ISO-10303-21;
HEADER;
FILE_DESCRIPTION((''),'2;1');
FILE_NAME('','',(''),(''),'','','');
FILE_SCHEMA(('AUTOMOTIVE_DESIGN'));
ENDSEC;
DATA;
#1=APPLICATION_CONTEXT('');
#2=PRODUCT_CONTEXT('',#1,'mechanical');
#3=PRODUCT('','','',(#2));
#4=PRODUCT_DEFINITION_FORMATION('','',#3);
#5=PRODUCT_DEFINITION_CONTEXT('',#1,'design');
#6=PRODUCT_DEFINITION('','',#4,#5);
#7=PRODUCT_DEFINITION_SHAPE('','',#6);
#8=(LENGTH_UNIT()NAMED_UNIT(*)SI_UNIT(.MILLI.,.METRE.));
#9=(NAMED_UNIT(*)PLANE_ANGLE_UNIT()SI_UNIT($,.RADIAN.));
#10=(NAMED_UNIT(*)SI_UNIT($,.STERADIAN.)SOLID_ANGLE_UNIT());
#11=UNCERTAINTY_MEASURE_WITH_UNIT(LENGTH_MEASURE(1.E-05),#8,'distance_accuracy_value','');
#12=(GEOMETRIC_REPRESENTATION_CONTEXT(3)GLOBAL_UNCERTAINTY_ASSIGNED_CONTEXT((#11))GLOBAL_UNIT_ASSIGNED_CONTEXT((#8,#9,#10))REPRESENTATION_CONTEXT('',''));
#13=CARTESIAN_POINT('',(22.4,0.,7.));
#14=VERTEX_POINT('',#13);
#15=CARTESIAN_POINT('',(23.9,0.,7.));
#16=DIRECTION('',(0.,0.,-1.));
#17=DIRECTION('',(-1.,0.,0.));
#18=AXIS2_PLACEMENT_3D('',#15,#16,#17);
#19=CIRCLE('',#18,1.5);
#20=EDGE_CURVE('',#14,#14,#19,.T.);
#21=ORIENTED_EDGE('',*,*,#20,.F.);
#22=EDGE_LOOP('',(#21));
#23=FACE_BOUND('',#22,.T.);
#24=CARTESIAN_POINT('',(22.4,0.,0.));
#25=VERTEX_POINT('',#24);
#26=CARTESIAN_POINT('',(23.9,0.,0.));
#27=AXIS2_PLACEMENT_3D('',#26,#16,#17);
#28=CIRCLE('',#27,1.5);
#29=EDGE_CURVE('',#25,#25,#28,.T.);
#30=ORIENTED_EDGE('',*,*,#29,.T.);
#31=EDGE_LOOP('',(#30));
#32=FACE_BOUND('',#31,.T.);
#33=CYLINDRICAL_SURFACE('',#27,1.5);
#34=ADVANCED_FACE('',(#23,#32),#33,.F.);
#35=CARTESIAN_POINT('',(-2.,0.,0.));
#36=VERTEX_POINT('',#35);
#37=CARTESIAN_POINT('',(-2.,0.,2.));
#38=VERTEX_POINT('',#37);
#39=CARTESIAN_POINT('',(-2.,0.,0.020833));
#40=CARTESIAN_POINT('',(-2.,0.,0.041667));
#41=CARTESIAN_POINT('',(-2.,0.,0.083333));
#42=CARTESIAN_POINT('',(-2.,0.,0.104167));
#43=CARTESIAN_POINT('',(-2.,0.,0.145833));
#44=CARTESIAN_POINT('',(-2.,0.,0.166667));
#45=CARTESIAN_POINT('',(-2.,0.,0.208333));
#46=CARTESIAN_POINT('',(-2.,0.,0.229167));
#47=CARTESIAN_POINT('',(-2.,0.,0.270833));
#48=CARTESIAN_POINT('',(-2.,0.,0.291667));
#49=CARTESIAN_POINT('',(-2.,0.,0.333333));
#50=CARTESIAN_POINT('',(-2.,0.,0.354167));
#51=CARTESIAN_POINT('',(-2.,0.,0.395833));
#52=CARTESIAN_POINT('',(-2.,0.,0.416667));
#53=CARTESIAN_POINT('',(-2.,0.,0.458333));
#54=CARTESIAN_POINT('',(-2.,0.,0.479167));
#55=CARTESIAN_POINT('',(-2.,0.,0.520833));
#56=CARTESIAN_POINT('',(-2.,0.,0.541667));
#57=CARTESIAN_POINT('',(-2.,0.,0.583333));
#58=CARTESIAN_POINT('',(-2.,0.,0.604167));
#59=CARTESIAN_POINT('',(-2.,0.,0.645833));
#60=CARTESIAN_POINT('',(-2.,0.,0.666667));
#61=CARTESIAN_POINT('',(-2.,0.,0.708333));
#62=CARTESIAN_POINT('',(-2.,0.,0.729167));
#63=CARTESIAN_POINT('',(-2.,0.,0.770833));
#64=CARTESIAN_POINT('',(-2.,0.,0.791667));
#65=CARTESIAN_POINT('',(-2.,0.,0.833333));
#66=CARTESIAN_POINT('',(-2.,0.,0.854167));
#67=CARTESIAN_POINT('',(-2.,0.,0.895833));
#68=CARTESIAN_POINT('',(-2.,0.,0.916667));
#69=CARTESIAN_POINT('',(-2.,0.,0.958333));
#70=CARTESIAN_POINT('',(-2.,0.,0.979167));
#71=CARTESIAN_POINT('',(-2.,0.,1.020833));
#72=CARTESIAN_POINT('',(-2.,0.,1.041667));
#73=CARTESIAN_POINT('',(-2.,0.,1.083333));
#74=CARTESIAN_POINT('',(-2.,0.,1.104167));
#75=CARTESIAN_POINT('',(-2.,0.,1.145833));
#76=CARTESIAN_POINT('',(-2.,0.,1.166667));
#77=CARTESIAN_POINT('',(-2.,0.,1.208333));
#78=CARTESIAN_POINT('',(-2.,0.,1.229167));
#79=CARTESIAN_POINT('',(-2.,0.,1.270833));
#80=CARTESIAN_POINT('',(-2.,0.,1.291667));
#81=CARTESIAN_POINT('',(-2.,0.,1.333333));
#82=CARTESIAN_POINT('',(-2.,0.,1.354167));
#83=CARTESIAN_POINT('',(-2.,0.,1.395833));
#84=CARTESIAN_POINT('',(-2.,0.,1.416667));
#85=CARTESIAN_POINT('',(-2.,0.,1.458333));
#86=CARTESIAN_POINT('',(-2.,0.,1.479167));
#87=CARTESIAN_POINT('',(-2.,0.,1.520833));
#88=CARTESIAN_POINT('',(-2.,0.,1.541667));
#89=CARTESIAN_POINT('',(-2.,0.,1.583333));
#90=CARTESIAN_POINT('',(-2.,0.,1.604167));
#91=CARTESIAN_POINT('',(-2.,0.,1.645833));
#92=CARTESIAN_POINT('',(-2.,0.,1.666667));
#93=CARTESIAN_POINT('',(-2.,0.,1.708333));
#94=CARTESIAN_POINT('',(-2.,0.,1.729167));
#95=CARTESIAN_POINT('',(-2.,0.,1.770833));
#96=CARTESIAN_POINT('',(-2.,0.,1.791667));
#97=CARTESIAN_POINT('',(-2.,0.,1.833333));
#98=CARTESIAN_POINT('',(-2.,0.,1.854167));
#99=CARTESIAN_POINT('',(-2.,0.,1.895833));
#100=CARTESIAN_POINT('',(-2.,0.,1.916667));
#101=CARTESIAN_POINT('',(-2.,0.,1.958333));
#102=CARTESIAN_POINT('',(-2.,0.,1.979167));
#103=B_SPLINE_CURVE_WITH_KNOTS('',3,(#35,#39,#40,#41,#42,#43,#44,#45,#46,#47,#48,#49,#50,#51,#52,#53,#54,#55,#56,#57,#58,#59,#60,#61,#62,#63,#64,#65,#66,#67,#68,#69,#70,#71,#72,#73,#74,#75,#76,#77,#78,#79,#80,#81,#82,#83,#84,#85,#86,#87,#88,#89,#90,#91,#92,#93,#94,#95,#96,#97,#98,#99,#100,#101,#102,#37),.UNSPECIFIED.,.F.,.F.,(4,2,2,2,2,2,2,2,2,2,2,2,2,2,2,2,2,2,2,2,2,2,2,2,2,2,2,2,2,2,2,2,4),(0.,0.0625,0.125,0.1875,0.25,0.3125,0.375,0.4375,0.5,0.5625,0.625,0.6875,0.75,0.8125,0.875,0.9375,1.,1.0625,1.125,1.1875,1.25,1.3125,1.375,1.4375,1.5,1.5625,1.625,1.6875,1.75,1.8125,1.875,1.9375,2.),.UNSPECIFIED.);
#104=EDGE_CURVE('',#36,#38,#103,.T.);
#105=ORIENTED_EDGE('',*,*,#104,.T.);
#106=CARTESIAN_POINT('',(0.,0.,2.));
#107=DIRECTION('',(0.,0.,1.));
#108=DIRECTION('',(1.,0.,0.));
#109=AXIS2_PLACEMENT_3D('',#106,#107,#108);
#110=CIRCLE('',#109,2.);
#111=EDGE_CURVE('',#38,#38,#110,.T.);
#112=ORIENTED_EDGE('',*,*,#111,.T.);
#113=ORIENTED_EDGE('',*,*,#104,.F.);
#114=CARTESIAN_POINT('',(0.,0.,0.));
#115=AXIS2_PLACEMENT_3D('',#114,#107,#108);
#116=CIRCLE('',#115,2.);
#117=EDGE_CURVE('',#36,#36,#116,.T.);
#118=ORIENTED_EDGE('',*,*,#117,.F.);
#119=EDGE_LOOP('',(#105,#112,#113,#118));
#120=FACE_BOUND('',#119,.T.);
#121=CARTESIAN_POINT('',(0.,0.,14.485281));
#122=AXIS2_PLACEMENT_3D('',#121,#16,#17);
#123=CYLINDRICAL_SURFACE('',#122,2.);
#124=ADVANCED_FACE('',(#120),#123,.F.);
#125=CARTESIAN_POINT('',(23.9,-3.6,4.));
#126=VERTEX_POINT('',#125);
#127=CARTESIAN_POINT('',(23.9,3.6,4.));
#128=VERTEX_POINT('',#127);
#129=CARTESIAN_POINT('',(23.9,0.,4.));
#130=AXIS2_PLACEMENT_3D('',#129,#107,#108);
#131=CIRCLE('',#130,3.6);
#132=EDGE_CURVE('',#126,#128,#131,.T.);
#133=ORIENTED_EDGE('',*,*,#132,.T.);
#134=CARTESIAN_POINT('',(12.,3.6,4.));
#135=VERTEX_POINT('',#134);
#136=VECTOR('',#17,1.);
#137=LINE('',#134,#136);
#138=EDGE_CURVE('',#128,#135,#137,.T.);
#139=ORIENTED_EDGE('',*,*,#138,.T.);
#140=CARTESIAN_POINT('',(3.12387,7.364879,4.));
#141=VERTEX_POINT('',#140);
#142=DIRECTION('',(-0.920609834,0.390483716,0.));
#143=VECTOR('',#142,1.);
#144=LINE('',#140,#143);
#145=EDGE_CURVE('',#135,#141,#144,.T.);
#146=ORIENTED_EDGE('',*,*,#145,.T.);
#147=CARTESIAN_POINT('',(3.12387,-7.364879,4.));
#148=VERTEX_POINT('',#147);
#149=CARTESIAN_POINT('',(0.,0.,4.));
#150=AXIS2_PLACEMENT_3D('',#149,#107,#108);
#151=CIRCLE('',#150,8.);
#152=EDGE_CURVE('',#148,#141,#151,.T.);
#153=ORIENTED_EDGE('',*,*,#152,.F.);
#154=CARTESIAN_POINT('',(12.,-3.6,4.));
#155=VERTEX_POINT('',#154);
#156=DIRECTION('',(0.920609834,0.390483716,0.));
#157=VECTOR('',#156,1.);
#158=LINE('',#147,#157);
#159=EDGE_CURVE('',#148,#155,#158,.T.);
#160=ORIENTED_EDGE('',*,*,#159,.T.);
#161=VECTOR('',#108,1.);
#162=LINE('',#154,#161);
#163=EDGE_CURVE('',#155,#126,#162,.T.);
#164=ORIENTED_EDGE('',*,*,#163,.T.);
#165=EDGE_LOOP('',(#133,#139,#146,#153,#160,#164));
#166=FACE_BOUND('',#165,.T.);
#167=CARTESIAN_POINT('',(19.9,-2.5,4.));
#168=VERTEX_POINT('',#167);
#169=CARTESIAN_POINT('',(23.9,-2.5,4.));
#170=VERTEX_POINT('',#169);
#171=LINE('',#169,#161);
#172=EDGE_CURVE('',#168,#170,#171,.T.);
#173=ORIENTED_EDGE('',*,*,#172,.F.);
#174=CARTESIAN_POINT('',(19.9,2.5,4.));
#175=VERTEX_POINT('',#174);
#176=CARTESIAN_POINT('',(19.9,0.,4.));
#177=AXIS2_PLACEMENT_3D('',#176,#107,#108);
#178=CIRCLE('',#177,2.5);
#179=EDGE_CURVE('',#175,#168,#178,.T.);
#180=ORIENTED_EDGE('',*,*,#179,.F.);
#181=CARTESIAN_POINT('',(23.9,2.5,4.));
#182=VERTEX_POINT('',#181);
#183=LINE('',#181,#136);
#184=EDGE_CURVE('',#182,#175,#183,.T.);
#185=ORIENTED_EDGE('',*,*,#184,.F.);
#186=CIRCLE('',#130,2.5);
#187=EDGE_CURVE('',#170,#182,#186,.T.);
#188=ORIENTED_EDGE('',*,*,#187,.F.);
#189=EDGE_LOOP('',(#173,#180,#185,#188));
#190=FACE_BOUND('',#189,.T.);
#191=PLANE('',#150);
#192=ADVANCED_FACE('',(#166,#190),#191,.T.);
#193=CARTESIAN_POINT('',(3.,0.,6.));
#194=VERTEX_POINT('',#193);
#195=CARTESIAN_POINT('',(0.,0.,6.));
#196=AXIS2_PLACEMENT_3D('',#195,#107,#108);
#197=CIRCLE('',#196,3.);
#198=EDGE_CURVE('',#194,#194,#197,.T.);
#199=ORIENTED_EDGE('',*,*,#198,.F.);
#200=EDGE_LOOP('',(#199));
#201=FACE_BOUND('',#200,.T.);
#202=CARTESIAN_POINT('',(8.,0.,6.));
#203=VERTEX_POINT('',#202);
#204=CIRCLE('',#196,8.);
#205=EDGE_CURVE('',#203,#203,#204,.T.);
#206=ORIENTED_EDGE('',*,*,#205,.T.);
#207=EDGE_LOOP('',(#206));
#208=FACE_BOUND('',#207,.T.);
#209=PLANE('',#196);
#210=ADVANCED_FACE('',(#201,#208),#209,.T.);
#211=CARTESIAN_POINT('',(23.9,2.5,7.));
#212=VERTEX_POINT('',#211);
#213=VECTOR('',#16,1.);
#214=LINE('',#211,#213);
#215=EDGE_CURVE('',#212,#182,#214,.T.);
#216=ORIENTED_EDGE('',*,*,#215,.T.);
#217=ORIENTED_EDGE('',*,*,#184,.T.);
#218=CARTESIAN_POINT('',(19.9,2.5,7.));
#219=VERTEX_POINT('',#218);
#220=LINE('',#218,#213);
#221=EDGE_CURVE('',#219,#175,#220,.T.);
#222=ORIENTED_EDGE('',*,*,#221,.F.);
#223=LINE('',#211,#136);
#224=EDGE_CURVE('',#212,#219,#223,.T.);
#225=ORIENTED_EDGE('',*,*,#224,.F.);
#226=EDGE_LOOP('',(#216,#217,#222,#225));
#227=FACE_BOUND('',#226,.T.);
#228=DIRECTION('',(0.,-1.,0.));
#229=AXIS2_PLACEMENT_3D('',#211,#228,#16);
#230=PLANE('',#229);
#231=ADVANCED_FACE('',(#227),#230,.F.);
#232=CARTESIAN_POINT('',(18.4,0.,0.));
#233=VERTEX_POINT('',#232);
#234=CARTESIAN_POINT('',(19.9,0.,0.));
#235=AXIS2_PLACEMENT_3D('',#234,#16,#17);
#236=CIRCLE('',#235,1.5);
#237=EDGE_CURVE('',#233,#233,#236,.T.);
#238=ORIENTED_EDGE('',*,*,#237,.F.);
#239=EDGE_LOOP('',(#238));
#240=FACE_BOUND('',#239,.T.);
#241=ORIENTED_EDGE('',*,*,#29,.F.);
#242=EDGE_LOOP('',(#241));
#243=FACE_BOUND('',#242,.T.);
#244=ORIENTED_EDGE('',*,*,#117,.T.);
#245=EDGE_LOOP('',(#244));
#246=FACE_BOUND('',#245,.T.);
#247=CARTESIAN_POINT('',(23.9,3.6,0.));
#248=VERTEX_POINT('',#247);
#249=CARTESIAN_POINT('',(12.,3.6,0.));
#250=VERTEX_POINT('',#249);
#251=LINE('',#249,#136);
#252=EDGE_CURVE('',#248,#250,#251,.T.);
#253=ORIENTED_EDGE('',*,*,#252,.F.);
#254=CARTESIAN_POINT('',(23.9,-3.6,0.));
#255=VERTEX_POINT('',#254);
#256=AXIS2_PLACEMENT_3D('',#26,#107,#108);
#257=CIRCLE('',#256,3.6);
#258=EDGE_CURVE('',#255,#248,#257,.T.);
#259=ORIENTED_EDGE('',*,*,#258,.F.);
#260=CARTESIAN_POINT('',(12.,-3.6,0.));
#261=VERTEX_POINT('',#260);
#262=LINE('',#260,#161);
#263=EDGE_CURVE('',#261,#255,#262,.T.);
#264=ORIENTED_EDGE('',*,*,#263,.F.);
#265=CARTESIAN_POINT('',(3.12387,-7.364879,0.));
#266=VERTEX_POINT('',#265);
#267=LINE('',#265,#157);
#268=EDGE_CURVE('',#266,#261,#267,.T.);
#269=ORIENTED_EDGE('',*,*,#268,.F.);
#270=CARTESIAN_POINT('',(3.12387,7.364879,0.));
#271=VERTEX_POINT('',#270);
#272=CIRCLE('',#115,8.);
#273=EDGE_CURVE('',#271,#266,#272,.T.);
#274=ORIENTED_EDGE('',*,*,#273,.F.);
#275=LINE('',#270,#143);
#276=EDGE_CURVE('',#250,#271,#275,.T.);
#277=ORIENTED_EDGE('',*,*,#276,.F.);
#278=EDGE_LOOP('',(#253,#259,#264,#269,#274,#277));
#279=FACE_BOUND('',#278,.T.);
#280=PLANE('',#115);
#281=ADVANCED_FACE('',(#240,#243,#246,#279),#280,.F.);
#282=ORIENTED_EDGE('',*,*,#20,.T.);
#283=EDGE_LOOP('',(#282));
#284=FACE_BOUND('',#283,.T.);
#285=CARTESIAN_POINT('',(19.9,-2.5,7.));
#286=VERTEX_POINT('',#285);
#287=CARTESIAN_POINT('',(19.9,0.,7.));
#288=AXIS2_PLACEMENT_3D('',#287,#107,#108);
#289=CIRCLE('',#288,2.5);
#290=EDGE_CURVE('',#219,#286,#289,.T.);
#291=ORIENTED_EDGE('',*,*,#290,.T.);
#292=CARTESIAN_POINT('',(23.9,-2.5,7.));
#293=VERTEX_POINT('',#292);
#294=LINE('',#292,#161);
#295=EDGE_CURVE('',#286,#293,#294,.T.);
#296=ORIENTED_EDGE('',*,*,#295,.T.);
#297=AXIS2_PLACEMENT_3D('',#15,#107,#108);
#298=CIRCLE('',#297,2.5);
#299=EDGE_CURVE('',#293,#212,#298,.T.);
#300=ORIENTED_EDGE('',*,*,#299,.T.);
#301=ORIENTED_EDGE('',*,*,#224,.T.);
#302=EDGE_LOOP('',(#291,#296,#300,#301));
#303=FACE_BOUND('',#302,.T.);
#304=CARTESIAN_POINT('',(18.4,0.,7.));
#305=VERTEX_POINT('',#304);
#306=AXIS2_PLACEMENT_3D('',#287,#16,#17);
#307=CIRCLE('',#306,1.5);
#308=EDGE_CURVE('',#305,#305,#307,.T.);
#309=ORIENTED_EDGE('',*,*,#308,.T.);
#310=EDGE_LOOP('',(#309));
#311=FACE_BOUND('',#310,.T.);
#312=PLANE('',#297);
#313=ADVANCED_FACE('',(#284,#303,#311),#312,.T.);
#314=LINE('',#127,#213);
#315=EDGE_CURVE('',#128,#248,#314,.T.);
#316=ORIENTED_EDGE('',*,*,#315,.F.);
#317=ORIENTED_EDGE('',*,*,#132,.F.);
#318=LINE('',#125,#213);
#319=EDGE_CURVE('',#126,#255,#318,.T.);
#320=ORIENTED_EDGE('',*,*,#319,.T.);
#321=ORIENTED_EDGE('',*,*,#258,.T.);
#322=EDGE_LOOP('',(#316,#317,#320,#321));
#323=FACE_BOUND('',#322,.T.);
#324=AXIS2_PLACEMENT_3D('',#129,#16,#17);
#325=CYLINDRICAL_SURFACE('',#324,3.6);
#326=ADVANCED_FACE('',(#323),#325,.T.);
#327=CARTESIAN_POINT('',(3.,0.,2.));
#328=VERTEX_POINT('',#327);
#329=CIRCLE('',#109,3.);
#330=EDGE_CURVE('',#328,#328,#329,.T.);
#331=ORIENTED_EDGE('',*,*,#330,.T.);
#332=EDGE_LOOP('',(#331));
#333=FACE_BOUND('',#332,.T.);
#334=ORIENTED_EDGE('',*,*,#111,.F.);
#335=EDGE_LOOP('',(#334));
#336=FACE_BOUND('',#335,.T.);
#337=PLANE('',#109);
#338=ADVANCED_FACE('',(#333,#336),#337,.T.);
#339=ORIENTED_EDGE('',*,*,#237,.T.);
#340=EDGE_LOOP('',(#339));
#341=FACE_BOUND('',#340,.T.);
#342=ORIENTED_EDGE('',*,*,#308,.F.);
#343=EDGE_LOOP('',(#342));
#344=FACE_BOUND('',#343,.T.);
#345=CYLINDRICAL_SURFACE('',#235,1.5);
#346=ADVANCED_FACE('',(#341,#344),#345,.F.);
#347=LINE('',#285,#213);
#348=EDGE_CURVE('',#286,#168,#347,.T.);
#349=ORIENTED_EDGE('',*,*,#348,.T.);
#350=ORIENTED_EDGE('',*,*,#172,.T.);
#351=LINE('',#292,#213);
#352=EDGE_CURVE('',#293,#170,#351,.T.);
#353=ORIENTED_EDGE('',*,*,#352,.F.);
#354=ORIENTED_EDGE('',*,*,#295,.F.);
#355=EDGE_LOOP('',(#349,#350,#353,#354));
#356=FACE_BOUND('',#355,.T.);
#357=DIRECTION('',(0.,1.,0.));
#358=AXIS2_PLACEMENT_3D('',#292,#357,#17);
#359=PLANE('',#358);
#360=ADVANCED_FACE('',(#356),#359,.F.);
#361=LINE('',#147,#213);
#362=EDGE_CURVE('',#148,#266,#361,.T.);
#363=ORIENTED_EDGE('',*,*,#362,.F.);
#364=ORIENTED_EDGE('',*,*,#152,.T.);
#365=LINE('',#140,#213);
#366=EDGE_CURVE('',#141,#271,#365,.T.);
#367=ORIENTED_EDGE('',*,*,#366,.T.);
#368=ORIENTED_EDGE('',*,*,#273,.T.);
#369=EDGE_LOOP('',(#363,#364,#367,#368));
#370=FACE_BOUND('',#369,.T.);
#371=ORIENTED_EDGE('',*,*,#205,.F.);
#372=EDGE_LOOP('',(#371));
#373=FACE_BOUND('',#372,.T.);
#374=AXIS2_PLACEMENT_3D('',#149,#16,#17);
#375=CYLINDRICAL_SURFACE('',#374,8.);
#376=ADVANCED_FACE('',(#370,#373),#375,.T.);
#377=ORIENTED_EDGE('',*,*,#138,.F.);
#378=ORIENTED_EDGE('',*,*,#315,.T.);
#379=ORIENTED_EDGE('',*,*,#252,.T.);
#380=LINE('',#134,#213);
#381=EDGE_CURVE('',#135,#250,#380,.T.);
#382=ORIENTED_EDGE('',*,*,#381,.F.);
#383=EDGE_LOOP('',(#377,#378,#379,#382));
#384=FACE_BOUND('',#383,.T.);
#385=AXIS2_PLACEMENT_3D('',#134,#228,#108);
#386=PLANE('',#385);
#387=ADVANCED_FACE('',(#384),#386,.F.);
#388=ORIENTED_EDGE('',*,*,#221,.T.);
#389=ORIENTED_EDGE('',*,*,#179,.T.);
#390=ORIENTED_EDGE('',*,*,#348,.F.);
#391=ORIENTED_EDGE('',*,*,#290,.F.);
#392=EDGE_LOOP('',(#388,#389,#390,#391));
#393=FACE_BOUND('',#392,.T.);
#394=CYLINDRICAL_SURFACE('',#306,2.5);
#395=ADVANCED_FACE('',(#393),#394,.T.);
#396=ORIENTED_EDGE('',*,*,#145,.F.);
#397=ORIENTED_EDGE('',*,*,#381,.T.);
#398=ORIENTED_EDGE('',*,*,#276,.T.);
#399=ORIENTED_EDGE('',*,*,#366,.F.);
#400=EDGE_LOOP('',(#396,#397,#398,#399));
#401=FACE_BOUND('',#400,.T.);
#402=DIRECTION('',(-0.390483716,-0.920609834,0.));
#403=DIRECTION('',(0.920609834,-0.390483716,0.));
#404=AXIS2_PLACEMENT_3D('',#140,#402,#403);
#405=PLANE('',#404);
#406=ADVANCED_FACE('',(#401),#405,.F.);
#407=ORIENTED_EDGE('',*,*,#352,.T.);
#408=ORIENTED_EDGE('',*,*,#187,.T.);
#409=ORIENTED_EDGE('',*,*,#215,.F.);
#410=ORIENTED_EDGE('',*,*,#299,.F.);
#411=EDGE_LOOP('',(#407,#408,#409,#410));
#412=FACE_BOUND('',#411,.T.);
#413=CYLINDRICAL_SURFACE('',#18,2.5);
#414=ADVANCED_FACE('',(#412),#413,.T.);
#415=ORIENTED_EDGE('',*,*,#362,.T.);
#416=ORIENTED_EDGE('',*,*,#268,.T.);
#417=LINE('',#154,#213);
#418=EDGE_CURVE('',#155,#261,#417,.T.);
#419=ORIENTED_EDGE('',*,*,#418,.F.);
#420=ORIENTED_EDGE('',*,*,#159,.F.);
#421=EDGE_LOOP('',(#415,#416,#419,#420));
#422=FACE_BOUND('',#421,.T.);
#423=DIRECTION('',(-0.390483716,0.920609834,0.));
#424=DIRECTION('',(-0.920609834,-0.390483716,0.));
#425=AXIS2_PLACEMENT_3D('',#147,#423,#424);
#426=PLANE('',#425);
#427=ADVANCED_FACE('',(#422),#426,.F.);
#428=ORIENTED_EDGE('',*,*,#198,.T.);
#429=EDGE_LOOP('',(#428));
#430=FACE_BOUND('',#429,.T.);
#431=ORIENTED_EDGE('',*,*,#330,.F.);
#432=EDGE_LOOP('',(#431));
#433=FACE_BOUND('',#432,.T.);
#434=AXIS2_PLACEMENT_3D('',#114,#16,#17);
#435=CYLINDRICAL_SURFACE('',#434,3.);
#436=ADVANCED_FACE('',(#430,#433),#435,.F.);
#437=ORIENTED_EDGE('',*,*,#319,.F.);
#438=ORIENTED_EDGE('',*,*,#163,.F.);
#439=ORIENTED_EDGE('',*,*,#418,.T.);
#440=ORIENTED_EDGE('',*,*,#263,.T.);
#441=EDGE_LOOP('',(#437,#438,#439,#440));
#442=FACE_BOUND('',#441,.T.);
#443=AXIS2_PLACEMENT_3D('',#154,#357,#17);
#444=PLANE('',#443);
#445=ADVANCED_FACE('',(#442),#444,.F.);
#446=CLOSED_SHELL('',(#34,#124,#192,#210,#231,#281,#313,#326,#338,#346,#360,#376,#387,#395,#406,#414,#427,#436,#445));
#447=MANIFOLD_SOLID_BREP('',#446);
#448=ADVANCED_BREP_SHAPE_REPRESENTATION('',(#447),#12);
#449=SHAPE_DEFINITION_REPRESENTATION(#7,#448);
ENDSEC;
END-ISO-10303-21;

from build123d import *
from build123d.topology import SkipClean

# Parameters (mm, degrees)
BOSS_EXTRUDE1_DEPTH      = 4
SKETCH4_R                = 8
BOSS_EXTRUDE2_DEPTH      = 2
BOSS_EXTRUDE3_DEPTH      = 3
F_3_0_3_DIAMETER_HOLE1_D = 3
F_6_0_6_DIAMETER_HOLE1_D = 6
BOSS_EXTRUDE4_START      = 2
SKETCH12_R               = 3
SKETCH12_R_2             = 2
BOSS_EXTRUDE4_DEPTH      = 2


with BuildPart() as part:
    # Sketch1 → Boss-Extrude1 (new body)
    with BuildSketch(Plane.XY):
        with BuildLine():
            Line((3.123869731, 7.364878676), (12, 3.6))
            Line((12, 3.6), (23.9, 3.6))
            ThreePointArc((23.9, 3.6), (27.5, 0), (23.9, -3.6))
            Line((23.9, -3.6), (12, -3.6))
            Line((12, -3.6), (3.123869731, -7.364878676))
            ThreePointArc((3.123869731, -7.364878676), (-8, 0), (3.123869731, 7.364878676))
        make_face()
    extrude(amount=BOSS_EXTRUDE1_DEPTH)

    # Sketch4 → Boss-Extrude2 (add)
    with SkipClean():  # the faces are left unmerged after this step: merging them gives an invalid solid
        with BuildSketch(Plane.XY.offset(4)):
            with Locations(Location((0, 0, 0), (0, 0, 67.015399011))):
                Circle(SKETCH4_R)
        extrude(amount=BOSS_EXTRUDE2_DEPTH)

    # Sketch5 → Boss-Extrude3 (add)
    with SkipClean():  # the faces are left unmerged after this step: merging them gives an invalid solid
        with BuildSketch(Plane.XY.offset(4)):
            with BuildLine():
                Line((23.9, -2.5), (19.9, -2.5))
                ThreePointArc((19.9, -2.5), (17.4, 0), (19.9, 2.5))
                Line((19.9, 2.5), (23.9, 2.5))
                ThreePointArc((23.9, 2.5), (26.4, 0), (23.9, -2.5))
            make_face()
        extrude(amount=BOSS_EXTRUDE3_DEPTH)

    # Ø3.0 (3) Diameter Hole1 (through all)
    with Locations(Plane(origin=(0, 0, 0), x_dir=(-1, 0, 0), z_dir=(0, 0, -1))):
        with Locations((-23.9, 0), (-19.9, 0)):
            Hole(F_3_0_3_DIAMETER_HOLE1_D / 2)

    # Ø6.0 (6) Diameter Hole1 (through all)
    with Locations(Plane(origin=(0, 0, 0), x_dir=(-1, 0, 0), z_dir=(0, 0, -1))):
        with Locations((0, 0)):
            Hole(F_6_0_6_DIAMETER_HOLE1_D / 2)

    # Sketch12 → Boss-Extrude4 (add)
    with SkipClean():  # the faces are left unmerged after this step: merging them gives an invalid solid
        with BuildSketch(Plane.XY.offset(BOSS_EXTRUDE4_START)):
            Circle(SKETCH12_R)
            with Locations(Location((0, 0, 0), (0, 0, 180))):
                Circle(SKETCH12_R_2, mode=Mode.SUBTRACT)
        extrude(amount=-BOSS_EXTRUDE4_DEPTH)


solid = part.part
